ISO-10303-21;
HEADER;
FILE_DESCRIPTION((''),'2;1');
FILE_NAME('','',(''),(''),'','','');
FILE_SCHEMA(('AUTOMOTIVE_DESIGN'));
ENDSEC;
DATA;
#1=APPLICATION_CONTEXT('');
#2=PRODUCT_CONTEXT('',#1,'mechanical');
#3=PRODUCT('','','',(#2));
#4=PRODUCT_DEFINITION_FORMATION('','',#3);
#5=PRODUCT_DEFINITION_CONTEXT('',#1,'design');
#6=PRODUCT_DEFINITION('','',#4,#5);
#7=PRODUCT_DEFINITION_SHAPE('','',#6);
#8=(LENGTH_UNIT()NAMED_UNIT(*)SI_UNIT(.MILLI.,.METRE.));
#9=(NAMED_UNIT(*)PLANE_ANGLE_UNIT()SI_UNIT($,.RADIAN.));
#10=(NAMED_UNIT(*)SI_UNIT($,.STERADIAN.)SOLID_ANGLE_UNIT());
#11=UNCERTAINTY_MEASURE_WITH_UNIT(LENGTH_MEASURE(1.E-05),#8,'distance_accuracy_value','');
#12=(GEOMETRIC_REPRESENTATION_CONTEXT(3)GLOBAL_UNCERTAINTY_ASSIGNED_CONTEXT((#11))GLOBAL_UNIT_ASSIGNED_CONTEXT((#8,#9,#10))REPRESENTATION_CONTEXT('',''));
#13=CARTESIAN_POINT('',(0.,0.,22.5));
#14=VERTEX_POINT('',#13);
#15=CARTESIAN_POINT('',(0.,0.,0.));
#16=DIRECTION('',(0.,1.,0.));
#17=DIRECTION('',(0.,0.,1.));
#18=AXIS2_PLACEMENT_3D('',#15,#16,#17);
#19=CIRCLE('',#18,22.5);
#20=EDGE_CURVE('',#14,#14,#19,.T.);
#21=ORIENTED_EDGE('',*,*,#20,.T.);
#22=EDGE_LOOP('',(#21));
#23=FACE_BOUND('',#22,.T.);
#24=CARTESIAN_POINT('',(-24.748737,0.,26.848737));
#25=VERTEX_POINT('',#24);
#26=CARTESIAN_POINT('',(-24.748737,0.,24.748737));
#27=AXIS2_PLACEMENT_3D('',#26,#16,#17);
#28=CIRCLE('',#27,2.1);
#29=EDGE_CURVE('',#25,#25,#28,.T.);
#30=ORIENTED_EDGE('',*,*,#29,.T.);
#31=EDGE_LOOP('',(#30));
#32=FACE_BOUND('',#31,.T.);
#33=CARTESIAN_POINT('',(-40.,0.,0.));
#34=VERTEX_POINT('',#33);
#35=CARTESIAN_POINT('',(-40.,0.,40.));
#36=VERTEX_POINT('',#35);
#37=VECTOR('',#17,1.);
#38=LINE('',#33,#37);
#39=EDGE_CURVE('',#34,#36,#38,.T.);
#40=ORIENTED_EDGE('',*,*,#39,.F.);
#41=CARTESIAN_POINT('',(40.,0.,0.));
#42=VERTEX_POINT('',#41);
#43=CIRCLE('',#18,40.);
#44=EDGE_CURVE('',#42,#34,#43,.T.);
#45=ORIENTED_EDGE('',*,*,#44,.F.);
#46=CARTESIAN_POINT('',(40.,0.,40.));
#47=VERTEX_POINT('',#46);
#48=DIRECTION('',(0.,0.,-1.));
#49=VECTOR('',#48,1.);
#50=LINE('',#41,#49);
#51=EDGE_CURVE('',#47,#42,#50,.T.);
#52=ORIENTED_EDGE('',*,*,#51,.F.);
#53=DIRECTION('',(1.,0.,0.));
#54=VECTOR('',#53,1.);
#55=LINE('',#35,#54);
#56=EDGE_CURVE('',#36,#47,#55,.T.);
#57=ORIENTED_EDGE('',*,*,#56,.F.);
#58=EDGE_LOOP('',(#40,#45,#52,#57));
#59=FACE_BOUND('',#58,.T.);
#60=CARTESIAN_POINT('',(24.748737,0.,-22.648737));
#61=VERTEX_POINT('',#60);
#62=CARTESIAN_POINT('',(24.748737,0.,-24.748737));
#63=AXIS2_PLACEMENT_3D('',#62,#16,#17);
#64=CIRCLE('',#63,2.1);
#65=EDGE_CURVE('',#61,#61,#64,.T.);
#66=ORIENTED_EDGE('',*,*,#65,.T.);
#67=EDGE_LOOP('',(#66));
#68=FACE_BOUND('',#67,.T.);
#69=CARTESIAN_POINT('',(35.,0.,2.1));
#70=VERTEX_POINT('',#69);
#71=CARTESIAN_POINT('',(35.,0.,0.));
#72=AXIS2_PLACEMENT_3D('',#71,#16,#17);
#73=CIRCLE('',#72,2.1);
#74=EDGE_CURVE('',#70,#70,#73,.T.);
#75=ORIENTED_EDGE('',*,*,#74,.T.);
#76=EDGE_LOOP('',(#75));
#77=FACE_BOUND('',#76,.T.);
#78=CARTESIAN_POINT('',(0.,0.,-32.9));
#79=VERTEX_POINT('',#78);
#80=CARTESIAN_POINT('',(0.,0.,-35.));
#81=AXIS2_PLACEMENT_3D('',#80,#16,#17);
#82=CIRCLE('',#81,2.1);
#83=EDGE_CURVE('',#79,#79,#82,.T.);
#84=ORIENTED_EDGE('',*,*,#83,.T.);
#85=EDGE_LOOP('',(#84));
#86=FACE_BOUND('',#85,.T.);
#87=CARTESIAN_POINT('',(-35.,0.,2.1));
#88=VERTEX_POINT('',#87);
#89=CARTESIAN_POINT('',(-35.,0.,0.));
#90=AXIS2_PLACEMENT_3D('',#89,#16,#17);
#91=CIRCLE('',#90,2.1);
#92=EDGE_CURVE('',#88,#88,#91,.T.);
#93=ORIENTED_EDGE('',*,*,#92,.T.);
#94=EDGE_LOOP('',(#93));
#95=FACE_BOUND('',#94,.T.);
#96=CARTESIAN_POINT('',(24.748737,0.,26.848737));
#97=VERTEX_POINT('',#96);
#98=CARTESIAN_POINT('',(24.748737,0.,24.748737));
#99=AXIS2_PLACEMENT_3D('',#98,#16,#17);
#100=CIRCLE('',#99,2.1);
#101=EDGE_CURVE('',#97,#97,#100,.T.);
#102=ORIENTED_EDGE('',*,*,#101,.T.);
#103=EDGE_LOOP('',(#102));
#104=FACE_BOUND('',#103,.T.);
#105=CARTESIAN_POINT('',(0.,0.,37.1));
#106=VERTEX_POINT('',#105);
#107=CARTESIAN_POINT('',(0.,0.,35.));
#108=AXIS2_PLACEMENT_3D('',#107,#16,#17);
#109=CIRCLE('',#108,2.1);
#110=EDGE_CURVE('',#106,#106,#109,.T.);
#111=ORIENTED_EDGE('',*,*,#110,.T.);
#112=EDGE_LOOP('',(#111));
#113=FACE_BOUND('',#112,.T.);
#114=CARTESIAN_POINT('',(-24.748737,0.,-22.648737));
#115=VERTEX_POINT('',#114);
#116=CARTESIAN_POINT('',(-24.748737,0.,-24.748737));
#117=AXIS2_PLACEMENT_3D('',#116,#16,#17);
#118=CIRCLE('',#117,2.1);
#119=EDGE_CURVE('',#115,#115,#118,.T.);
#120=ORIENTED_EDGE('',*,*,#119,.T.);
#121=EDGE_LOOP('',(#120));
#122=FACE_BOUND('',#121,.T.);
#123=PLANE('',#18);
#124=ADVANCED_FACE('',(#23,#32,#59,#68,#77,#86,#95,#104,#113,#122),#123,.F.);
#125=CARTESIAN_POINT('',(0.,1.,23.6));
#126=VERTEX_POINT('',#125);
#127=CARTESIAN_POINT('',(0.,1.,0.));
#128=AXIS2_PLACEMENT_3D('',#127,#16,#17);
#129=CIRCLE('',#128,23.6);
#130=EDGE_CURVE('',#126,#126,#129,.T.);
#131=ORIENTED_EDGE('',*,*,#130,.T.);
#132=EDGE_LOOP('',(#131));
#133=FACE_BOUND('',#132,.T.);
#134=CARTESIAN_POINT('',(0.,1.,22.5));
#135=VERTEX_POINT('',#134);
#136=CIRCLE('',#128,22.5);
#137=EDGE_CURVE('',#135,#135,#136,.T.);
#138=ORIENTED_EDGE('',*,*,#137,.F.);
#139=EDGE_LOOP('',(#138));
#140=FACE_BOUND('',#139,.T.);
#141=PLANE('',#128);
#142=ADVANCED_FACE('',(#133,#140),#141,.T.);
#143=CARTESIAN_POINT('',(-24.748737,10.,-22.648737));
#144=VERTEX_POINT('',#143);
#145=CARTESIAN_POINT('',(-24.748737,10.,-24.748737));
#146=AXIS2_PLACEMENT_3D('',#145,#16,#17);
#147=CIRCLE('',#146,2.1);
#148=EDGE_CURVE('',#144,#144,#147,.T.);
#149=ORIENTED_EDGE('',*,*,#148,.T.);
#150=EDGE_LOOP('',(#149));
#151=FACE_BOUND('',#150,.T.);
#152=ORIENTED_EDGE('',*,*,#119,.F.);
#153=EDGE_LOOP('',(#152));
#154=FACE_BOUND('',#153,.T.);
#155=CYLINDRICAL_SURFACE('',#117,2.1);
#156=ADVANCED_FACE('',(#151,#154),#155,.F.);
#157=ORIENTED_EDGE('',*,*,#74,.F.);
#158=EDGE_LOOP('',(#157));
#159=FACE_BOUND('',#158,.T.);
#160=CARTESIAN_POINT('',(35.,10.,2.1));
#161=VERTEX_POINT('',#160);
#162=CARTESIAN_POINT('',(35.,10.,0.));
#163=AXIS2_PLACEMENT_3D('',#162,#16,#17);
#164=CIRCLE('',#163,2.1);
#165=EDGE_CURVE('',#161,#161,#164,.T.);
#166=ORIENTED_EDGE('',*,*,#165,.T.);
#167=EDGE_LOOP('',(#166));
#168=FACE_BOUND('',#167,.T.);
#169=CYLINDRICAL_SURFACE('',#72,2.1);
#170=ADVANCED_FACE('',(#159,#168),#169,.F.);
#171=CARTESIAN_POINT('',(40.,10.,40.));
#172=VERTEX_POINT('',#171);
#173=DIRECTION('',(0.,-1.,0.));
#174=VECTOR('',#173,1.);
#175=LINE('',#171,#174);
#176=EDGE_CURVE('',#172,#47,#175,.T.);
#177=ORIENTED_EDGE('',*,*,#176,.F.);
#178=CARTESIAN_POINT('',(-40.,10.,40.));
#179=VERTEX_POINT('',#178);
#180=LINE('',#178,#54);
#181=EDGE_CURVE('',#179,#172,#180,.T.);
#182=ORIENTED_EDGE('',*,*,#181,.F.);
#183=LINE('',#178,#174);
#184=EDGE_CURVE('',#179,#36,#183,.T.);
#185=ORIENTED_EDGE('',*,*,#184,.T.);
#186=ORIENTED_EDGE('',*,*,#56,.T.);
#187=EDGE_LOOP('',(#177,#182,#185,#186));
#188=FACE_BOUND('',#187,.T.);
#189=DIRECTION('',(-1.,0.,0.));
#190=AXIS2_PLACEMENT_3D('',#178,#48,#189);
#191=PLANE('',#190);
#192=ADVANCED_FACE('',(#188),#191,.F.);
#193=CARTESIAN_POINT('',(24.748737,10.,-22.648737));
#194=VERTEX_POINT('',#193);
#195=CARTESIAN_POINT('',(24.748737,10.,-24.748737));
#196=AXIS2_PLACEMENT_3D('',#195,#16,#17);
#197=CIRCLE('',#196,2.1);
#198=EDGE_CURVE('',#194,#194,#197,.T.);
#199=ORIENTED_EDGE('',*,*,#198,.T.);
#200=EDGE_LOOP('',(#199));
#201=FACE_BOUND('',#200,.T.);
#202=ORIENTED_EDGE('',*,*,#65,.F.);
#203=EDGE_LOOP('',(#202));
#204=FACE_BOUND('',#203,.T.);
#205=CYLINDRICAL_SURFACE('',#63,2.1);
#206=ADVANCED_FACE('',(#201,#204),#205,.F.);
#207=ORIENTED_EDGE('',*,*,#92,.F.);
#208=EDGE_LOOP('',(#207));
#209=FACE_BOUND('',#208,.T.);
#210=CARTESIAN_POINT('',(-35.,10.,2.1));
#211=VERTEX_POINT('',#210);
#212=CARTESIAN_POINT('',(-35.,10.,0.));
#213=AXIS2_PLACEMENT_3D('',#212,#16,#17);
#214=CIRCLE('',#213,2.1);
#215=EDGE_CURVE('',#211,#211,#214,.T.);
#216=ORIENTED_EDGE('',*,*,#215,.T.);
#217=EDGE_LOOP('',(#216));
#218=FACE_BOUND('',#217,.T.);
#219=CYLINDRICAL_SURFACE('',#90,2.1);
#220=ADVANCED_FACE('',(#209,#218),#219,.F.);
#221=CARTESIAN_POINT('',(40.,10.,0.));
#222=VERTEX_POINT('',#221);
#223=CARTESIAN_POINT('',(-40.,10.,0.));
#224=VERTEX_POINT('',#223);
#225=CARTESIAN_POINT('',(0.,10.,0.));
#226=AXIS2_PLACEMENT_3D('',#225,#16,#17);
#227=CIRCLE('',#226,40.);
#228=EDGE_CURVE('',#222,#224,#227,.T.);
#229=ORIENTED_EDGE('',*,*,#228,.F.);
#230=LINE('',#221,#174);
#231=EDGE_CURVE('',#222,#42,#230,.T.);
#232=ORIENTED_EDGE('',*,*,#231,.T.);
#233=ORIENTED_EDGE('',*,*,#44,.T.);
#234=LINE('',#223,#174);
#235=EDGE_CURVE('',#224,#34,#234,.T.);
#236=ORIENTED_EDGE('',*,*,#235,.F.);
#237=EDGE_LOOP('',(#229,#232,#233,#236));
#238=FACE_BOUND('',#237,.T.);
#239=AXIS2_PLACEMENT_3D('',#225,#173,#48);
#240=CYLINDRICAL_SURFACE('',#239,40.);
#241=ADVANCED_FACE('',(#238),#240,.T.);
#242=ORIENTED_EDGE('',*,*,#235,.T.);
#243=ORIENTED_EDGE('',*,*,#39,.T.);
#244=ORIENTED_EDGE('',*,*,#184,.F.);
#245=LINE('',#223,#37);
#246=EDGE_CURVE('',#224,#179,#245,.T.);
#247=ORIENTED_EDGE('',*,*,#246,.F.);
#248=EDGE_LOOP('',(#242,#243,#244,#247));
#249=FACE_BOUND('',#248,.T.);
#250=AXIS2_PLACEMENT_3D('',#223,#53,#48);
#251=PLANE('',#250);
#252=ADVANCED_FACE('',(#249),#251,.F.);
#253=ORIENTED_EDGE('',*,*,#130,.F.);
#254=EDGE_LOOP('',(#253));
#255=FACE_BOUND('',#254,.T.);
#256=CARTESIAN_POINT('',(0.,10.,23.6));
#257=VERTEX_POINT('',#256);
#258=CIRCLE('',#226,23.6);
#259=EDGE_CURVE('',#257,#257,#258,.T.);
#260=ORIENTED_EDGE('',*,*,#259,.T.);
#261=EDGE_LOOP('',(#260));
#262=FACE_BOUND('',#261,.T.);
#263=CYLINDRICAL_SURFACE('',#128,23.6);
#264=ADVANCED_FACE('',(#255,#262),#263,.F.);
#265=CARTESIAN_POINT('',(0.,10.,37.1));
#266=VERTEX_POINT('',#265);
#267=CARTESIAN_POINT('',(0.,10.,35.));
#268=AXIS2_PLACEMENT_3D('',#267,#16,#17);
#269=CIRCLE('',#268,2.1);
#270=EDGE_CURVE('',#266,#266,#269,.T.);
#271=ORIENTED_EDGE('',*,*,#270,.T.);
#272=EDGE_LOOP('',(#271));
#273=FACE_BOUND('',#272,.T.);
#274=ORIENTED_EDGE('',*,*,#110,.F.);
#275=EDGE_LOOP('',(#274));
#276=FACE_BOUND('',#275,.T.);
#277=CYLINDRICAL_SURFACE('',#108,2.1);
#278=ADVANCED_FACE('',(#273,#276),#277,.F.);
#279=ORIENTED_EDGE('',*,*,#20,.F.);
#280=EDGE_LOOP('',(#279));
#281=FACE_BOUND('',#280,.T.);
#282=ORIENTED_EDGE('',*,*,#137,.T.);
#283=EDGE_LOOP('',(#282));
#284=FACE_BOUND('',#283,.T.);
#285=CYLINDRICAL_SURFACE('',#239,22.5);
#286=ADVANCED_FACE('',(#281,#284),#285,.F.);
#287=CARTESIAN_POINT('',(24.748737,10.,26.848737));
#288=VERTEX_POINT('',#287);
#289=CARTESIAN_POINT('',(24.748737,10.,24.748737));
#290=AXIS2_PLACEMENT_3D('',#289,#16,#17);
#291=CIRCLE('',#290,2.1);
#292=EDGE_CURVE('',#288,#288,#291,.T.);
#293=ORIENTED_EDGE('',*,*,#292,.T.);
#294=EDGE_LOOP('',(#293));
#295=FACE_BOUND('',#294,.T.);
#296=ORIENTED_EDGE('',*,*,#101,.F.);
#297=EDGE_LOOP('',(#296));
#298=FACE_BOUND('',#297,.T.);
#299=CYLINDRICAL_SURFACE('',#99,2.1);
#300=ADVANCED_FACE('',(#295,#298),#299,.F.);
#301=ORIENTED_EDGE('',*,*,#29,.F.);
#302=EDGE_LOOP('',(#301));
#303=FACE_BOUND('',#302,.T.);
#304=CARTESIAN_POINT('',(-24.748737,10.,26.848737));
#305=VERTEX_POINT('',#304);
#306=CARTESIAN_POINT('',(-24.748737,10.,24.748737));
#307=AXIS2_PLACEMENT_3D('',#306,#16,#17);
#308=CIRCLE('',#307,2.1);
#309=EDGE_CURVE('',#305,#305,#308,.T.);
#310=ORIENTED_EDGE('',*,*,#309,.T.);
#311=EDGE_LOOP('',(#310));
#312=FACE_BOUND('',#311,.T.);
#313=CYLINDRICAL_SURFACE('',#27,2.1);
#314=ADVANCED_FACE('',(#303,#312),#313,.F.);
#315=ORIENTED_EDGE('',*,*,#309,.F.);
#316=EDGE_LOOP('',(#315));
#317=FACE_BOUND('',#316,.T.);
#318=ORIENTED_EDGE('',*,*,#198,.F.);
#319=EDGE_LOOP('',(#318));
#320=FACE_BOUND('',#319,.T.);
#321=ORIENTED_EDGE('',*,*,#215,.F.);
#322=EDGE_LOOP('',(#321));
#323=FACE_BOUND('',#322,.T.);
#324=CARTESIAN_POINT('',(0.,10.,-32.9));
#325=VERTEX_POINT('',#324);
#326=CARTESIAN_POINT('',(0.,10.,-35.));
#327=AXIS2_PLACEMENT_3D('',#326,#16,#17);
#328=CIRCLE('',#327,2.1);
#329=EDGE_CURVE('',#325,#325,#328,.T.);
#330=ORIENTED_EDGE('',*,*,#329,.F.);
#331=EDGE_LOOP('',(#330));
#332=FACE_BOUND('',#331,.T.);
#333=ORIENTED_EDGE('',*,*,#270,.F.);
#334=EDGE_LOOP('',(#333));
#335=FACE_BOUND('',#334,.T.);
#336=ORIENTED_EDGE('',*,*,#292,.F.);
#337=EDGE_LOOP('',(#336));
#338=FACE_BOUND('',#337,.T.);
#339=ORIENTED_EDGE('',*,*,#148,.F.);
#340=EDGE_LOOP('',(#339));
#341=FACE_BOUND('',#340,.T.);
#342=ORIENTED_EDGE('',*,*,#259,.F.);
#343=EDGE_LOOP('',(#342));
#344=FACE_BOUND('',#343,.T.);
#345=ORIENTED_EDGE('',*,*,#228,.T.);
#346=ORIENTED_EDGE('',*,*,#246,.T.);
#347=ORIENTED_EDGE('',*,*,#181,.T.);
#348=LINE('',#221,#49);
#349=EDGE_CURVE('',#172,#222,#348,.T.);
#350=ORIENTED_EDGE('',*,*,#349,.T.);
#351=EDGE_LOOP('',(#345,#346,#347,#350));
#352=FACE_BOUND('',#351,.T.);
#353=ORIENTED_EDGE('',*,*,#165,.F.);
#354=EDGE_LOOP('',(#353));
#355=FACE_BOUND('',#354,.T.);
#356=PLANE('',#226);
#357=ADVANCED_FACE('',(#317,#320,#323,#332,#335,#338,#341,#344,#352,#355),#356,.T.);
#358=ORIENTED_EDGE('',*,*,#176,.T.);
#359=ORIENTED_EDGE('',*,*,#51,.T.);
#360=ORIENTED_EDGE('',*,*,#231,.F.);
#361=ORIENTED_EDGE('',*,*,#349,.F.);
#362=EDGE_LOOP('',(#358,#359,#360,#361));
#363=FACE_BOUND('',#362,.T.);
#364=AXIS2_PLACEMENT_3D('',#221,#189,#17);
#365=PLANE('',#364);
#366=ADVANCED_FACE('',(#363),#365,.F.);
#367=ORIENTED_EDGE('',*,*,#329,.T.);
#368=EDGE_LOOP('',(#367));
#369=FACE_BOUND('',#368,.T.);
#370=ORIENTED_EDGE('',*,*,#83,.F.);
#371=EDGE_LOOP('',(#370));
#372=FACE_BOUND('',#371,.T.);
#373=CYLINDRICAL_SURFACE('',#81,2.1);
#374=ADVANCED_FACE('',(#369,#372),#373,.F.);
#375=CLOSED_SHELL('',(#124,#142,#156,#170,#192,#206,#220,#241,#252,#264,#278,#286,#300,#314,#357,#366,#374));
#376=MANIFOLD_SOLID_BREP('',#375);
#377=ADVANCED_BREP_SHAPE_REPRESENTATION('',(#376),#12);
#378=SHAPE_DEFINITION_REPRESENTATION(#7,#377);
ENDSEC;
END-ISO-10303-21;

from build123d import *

# Parameters (mm, degrees)
SKETCH_1_R          = 22.5
EXTRUDE_1_DEPTH     = 10
SKETCH_2_R          = 2.1
CUT_EXTRUDE_1_DEPTH = 58.445626465
SKETCH_5_R          = 23.6
CUT_EXTRUDE_2_DEPTH = 9


with BuildPart() as part:
    # 草图1 → 凸台-拉伸1 (new body)
    with BuildSketch(Plane(origin=(0, 0, 0), x_dir=(1, 0, 0), z_dir=(0, 1, 0))):
        with BuildLine():
            Line((-40, 0), (-40, -40))
            Line((-40, -40), (40, -40))
            Line((40, -40), (40, 0))
            ThreePointArc((40, 0), (0, 40), (-40, 0))
        make_face()
        with Locations(Location((0, 0, 0), (0, 0, 270))):
            Circle(SKETCH_1_R, mode=Mode.SUBTRACT)
    extrude(amount=EXTRUDE_1_DEPTH)

    # 草图2 → 切除-拉伸1 (cut, through all)
    with BuildSketch(Plane(origin=(0, 10, 0), x_dir=(1, 0, 0), z_dir=(0, 1, 0))):
        with Locations(Location((0, 35, 0), (0, 0, 270))):
            Circle(SKETCH_2_R)
        with Locations(Location((24.748737342, 24.748737342, 0), (0, 0, 270))):
            Circle(SKETCH_2_R)
        with Locations(Location((35, 0, 0), (0, 0, 270))):
            Circle(SKETCH_2_R)
        with Locations(Location((24.748737342, -24.748737342, 0), (0, 0, 270))):
            Circle(SKETCH_2_R)
        with Locations(Location((0, -35, 0), (0, 0, 270))):
            Circle(SKETCH_2_R)
        with Locations(Location((-24.748737342, -24.748737342, 0), (0, 0, 270))):
            Circle(SKETCH_2_R)
        with Locations(Location((-35, 0, 0), (0, 0, 270))):
            Circle(SKETCH_2_R)
        with Locations(Location((-24.748737342, 24.748737342, 0), (0, 0, 270))):
            Circle(SKETCH_2_R)
    extrude(amount=-CUT_EXTRUDE_1_DEPTH, mode=Mode.SUBTRACT)

    # 草图5 → 切除-拉伸2 (cut)
    with BuildSketch(Plane(origin=(0, 10, 0), x_dir=(1, 0, 0), z_dir=(0, 1, 0))):
        with Locations(Location((0, 0, 0), (0, 0, 270))):
            Circle(SKETCH_5_R)
    extrude(amount=-CUT_EXTRUDE_2_DEPTH, mode=Mode.SUBTRACT)


solid = part.part
